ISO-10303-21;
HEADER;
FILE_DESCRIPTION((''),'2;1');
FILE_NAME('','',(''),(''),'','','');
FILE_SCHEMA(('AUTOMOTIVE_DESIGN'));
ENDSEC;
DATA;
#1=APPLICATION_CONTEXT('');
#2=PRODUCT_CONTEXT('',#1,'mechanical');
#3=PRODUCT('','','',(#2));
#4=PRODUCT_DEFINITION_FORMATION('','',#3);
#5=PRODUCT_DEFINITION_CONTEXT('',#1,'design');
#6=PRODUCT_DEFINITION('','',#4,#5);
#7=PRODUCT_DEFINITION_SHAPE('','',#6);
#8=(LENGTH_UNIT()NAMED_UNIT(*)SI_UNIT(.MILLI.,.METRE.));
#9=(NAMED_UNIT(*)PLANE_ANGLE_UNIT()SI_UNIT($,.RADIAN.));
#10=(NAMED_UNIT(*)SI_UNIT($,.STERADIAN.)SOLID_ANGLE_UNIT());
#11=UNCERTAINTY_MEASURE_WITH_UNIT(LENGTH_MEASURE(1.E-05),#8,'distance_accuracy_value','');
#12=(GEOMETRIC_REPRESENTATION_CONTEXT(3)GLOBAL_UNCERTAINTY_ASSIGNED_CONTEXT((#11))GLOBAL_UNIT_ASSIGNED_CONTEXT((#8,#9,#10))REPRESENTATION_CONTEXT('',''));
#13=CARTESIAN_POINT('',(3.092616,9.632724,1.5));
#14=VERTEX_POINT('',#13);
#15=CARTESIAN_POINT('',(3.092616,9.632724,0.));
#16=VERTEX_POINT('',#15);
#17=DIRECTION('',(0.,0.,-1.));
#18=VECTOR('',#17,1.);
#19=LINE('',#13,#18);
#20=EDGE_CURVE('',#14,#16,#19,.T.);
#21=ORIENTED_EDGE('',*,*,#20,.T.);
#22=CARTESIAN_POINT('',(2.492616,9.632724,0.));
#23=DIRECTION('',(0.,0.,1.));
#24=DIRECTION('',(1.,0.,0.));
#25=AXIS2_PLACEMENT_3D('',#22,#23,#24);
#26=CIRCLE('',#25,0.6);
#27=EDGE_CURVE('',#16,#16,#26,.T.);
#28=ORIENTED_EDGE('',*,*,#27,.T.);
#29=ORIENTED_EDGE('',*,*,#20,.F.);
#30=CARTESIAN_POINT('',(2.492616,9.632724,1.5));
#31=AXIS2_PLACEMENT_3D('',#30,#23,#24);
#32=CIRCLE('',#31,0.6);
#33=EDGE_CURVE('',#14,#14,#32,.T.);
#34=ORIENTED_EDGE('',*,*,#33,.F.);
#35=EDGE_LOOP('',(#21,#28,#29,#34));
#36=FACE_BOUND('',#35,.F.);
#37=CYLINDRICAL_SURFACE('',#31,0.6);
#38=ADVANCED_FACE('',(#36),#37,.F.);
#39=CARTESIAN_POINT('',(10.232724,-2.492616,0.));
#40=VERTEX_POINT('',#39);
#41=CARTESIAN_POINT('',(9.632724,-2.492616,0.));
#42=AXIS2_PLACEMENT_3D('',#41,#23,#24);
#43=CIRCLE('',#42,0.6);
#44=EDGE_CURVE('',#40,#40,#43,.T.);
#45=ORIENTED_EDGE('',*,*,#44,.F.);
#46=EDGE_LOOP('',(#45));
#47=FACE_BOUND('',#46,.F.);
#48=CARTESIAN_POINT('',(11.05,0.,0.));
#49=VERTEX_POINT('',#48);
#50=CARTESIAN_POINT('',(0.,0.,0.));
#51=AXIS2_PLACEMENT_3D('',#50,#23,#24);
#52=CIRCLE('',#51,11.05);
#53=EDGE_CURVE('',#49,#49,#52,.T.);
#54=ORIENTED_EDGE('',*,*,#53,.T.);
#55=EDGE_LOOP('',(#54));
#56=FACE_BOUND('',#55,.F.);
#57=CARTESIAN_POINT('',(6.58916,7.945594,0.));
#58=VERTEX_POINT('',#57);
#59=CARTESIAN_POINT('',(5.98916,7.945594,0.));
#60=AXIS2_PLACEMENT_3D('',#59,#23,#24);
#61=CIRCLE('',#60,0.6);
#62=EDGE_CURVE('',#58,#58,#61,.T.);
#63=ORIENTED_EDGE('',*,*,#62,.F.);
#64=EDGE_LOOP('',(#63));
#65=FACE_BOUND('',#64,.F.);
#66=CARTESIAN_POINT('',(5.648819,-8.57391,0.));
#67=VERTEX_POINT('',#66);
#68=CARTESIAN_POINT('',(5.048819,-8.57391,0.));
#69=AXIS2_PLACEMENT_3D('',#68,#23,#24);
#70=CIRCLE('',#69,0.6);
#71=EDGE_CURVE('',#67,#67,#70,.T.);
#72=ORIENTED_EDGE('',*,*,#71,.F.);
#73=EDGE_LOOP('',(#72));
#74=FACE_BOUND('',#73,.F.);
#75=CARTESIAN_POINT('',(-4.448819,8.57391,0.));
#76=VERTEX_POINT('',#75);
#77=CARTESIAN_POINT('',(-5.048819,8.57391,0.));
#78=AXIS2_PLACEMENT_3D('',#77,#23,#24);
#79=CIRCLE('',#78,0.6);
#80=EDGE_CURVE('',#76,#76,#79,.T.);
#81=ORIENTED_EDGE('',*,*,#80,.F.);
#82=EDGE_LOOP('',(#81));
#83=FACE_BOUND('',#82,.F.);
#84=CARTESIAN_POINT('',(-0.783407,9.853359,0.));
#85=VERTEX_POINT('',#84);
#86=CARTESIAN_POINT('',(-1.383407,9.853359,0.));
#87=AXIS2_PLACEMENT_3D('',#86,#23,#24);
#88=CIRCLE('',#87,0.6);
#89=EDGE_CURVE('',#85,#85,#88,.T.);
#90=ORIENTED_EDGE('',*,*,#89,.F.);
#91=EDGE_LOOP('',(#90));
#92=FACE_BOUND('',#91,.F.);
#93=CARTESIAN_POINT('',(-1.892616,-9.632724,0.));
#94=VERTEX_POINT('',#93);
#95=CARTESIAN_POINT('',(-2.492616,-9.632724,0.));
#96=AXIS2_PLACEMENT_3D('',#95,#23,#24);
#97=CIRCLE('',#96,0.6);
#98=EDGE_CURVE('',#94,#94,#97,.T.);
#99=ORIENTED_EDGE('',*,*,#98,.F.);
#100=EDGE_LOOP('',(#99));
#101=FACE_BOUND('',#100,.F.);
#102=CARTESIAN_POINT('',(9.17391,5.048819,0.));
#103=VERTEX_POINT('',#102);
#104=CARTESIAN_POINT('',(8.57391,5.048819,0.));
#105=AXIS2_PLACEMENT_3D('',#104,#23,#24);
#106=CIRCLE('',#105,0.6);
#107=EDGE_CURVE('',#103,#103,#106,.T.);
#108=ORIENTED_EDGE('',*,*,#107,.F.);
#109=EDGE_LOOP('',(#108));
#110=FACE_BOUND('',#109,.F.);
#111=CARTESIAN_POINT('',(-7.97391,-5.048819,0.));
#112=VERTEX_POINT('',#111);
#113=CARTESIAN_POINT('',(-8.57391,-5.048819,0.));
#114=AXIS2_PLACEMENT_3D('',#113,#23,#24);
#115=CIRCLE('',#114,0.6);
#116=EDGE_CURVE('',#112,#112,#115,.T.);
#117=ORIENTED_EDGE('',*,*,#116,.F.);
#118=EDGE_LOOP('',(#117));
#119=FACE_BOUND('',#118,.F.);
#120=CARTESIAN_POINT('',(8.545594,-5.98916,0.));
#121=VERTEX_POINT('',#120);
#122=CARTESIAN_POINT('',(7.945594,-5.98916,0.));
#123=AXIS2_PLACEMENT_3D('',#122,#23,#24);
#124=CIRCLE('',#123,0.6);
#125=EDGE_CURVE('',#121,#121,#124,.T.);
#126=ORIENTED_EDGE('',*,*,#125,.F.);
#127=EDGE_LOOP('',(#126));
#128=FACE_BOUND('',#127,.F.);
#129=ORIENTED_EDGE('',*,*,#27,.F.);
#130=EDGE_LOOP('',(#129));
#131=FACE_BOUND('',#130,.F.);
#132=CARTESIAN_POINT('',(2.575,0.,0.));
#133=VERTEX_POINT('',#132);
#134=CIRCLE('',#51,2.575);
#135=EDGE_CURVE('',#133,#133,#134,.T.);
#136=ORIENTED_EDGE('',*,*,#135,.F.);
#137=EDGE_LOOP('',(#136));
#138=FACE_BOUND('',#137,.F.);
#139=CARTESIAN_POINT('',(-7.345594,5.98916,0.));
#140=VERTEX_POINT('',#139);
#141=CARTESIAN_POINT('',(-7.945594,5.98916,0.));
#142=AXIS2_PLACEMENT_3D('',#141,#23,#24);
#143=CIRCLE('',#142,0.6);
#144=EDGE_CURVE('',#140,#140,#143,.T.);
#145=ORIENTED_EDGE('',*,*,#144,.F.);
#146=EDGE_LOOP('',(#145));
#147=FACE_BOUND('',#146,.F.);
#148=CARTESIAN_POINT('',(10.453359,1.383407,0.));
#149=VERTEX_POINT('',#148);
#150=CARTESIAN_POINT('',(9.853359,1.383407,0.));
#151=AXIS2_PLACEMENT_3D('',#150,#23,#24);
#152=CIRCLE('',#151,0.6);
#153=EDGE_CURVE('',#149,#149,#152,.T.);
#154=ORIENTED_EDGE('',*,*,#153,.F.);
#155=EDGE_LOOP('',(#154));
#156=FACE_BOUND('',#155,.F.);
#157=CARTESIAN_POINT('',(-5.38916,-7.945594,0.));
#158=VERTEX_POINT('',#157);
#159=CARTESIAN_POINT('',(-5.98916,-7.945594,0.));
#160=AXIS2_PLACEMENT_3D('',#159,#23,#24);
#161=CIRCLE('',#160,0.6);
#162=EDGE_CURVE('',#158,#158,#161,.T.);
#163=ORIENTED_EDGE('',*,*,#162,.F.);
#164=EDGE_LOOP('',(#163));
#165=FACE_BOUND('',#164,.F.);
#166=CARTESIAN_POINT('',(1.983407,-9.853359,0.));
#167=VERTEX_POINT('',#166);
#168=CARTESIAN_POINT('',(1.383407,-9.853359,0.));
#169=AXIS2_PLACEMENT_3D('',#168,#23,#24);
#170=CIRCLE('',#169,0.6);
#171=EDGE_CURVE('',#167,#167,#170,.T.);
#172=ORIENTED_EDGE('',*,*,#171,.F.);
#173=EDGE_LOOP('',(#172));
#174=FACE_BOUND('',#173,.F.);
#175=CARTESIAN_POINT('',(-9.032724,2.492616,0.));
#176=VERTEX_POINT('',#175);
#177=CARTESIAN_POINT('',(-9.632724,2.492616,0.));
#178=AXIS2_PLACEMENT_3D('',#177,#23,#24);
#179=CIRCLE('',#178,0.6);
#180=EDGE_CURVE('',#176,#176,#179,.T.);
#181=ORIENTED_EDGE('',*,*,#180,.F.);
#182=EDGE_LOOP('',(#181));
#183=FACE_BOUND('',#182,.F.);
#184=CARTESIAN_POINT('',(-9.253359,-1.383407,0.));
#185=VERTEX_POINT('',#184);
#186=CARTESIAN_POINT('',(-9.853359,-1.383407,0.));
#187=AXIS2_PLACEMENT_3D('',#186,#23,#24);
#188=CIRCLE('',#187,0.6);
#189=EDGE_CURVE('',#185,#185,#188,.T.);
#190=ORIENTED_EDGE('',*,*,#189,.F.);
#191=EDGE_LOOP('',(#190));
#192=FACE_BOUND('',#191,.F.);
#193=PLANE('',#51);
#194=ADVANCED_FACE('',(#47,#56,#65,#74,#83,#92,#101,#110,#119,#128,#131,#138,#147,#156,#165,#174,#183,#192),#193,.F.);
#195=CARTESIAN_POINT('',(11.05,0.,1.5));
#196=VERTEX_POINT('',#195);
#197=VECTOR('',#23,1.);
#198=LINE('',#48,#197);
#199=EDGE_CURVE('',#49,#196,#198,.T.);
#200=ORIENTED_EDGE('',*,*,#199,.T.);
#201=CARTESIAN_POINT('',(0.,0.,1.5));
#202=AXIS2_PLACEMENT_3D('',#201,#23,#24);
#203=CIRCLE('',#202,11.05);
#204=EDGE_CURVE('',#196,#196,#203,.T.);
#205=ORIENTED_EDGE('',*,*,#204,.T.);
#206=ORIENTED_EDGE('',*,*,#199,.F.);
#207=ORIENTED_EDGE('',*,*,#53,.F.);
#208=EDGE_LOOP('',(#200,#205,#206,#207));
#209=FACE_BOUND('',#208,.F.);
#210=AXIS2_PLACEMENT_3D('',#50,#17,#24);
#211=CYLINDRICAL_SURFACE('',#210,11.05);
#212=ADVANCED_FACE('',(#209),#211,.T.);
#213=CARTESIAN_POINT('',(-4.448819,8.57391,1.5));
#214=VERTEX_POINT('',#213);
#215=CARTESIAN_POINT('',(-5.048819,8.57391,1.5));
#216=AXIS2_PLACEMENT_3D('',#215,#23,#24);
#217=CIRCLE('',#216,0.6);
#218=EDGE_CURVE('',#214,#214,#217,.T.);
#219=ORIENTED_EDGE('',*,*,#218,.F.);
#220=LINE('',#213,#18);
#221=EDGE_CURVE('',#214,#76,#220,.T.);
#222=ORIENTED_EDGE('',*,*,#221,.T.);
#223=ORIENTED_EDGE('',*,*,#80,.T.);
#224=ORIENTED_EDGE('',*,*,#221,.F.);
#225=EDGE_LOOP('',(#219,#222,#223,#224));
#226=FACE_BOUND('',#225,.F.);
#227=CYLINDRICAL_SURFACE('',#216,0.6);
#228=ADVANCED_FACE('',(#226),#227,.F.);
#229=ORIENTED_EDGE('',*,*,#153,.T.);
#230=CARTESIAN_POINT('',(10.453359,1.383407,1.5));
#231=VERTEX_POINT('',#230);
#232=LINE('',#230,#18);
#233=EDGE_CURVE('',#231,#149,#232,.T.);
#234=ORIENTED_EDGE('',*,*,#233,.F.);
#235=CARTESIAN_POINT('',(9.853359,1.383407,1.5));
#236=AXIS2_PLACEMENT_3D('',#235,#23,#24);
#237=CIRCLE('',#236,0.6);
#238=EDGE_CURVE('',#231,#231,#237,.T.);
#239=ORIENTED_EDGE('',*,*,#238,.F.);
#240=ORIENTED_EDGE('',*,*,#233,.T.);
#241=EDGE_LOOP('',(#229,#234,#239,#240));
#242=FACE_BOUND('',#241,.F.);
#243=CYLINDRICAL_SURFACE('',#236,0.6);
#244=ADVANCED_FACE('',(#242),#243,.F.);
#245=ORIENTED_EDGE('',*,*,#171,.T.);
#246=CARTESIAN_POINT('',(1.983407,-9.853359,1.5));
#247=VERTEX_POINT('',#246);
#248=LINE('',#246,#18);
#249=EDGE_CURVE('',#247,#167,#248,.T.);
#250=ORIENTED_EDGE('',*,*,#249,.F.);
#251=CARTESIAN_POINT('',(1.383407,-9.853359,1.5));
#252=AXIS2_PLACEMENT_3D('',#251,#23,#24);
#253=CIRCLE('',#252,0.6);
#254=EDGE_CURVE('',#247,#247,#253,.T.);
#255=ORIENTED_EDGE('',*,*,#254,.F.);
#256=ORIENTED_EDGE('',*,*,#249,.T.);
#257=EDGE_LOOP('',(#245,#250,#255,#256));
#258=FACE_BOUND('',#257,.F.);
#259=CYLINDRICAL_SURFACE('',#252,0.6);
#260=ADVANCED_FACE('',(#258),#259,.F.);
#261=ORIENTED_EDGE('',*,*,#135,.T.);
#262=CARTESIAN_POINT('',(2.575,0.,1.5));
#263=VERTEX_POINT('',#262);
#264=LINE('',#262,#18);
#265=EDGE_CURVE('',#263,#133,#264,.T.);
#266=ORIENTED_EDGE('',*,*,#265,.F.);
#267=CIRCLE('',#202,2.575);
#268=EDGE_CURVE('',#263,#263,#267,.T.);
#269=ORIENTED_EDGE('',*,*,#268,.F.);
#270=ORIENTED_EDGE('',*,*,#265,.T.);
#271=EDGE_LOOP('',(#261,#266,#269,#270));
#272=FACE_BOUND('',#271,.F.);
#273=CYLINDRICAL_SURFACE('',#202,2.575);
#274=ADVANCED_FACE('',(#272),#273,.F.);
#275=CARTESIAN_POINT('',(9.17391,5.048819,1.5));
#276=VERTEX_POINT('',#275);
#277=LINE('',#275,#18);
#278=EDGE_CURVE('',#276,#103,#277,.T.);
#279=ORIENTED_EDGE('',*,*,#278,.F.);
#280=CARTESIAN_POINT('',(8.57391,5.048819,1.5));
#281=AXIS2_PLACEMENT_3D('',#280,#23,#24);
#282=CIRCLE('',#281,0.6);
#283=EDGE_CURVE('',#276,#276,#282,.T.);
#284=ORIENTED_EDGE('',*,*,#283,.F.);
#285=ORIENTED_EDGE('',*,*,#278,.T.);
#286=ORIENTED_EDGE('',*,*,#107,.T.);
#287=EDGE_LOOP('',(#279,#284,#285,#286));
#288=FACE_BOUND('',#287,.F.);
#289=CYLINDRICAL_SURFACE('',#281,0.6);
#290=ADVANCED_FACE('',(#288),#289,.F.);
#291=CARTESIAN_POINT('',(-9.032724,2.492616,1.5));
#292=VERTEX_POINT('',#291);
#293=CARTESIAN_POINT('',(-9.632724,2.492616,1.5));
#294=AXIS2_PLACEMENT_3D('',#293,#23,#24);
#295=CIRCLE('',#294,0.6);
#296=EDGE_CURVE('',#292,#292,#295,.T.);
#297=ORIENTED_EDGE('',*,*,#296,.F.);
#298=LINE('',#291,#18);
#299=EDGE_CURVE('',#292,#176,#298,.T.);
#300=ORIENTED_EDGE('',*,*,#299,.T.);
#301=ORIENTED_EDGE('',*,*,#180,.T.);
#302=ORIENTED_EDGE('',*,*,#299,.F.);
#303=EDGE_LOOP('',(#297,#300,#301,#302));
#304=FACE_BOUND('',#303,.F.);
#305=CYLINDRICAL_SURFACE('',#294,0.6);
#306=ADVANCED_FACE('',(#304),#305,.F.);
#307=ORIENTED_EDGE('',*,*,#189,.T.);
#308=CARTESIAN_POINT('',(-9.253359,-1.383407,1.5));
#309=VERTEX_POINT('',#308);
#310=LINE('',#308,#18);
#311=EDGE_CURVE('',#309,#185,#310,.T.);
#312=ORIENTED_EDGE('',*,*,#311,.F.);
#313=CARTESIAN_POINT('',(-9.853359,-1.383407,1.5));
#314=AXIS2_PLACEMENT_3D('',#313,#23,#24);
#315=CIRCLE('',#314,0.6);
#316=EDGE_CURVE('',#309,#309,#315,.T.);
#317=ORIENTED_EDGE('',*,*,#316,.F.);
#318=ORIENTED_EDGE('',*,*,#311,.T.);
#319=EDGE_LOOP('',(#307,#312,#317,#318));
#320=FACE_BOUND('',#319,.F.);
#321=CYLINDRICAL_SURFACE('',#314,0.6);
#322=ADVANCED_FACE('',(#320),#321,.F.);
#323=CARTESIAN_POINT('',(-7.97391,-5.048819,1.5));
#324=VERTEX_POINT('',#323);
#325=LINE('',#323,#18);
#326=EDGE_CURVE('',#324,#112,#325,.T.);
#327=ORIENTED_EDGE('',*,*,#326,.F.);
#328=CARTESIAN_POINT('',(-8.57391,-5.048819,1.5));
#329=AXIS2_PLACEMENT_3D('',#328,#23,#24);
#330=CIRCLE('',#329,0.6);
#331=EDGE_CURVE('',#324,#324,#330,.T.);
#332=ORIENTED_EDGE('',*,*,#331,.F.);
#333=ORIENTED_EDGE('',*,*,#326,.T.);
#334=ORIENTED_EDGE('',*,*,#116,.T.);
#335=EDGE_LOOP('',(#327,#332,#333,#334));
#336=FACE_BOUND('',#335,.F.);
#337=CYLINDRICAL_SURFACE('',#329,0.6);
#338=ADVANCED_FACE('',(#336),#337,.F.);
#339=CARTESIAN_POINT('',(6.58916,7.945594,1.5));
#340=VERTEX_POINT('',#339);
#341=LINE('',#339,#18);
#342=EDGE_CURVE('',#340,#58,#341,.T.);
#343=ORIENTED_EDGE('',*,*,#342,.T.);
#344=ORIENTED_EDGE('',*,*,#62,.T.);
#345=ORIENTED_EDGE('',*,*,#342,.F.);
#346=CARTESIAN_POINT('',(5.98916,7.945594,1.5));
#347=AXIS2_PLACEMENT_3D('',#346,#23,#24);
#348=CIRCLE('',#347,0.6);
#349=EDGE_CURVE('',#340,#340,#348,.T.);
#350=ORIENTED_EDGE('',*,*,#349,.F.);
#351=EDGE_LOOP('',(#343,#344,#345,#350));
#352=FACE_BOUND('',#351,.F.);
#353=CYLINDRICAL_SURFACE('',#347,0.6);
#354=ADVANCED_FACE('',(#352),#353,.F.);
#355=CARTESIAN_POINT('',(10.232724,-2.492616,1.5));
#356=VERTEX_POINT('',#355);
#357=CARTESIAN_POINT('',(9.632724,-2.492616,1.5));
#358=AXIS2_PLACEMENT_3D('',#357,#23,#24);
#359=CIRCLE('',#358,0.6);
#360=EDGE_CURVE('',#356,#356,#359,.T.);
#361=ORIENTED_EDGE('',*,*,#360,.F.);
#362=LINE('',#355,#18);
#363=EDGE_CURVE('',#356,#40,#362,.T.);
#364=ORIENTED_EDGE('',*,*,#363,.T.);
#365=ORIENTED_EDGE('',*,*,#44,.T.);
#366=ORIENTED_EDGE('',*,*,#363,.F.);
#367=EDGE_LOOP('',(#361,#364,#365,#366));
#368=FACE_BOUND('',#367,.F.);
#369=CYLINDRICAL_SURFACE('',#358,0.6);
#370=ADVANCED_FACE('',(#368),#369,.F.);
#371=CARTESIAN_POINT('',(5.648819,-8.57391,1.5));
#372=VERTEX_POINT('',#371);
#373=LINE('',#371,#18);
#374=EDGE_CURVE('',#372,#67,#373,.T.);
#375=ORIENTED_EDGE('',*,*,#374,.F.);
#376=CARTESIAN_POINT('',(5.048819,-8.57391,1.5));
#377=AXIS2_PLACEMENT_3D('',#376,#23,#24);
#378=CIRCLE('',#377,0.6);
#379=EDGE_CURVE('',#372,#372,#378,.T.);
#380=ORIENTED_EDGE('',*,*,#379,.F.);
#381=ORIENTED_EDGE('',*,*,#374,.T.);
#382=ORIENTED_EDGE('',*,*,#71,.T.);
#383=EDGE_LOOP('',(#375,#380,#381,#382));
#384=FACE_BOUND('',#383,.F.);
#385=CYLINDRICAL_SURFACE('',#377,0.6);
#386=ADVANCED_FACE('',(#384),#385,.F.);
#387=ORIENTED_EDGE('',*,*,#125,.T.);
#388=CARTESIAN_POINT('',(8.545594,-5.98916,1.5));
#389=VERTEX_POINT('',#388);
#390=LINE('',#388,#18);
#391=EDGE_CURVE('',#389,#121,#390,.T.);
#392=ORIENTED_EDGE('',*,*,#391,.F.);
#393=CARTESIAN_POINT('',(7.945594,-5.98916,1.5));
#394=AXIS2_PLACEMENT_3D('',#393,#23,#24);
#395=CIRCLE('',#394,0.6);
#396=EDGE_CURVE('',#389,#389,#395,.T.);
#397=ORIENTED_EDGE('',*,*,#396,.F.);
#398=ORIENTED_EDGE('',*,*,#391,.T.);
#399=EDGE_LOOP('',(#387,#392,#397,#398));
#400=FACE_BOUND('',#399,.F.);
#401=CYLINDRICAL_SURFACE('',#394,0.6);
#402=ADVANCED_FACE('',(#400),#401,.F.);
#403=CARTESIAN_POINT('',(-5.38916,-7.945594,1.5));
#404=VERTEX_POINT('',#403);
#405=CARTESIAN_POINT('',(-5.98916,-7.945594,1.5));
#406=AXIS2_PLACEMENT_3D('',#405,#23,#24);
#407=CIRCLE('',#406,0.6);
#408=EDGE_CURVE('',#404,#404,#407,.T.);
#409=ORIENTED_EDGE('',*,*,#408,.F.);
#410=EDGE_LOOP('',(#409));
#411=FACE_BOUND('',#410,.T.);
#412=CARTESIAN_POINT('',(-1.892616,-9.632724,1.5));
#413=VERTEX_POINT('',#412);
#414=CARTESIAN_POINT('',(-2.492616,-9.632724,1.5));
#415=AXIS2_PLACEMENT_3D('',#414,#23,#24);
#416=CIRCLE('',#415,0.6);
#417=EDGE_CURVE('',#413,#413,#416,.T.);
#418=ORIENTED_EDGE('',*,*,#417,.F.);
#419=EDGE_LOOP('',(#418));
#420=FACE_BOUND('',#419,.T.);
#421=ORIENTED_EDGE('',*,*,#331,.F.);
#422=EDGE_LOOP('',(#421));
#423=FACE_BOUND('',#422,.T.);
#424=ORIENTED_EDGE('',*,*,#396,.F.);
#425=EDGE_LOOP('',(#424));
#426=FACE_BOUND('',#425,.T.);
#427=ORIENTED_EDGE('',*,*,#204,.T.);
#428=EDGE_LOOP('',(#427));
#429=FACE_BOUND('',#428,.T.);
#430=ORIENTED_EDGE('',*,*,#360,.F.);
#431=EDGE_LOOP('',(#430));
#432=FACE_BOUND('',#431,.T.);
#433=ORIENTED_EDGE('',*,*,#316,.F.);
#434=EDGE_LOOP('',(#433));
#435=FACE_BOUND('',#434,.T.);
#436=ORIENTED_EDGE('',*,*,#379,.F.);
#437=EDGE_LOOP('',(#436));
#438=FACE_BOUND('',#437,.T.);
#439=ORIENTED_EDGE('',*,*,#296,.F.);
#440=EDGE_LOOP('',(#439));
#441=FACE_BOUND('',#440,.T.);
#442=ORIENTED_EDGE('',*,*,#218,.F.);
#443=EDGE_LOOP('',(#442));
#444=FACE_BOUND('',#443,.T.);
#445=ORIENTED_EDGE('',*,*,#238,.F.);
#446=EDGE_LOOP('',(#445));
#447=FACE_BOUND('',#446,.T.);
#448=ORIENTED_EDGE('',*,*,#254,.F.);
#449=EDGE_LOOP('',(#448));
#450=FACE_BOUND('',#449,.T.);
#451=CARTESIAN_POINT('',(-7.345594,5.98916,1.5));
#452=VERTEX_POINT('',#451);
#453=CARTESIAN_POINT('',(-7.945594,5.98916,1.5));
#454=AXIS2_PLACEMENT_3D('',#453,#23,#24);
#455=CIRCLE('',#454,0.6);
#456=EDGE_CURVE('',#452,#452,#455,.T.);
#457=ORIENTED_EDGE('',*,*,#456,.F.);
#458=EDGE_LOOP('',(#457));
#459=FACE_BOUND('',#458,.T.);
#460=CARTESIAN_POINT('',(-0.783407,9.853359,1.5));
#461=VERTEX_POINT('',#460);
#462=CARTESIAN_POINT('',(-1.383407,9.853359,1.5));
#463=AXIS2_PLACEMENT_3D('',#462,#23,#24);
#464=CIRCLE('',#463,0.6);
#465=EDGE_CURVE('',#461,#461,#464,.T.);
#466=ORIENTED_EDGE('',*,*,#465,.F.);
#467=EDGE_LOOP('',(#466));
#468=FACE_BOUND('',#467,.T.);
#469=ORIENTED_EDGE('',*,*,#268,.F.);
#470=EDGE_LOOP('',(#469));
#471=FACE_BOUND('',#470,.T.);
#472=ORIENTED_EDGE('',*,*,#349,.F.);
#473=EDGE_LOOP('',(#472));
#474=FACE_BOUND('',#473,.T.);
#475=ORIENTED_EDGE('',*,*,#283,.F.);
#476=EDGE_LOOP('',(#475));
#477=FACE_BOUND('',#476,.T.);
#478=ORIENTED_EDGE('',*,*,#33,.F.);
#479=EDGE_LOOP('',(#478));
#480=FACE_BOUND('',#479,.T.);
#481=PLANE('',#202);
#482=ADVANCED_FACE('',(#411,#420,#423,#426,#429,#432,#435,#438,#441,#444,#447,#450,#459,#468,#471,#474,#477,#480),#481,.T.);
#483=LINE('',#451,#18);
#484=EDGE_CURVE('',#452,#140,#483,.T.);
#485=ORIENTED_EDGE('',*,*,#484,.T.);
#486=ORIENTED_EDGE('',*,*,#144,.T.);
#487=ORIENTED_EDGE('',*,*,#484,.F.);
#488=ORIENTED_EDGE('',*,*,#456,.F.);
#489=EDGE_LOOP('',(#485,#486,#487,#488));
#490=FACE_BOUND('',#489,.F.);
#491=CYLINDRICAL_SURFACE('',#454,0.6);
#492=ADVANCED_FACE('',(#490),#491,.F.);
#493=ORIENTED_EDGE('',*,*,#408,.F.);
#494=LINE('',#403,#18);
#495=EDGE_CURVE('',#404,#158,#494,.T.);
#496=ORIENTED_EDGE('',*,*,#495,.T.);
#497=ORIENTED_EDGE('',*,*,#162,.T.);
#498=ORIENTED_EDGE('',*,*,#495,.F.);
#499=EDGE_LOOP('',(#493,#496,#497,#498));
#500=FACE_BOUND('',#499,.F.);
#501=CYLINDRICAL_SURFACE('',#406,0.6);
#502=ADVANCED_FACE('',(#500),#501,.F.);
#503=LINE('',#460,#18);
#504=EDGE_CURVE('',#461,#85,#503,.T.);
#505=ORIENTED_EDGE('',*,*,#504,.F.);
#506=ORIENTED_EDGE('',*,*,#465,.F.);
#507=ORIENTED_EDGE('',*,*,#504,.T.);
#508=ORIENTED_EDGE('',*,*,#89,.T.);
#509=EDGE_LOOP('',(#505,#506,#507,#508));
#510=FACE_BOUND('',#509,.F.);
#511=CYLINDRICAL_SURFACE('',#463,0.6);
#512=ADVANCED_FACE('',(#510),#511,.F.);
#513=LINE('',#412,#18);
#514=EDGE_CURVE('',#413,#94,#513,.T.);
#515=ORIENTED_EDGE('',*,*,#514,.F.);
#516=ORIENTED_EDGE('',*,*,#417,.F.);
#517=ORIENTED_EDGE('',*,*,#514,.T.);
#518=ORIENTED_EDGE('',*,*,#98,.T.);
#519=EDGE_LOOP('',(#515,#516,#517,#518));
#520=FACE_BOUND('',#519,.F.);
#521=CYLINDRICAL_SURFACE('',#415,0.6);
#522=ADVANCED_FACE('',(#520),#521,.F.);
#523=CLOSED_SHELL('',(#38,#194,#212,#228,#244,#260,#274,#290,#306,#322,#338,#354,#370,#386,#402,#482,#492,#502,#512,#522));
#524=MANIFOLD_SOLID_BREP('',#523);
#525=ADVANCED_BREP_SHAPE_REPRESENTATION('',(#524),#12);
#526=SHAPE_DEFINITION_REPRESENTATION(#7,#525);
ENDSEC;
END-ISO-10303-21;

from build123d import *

# Parameters (mm, degrees)
F0_R     = 11.05
F1_DEPTH = 1.5
F2_R     = 0.6
F2_R_2   = 2.575
F3_DEPTH = 25


with BuildPart() as f1:
    # F0 (on Top) → F1 (new body)
    with BuildSketch(Plane.XY):
        Circle(F0_R)
    extrude(amount=F1_DEPTH)

    # F2 (on face) → F3 (cut)
    with BuildSketch(Plane.XY.offset(1.5)):
        with Locations((5.98916, 7.945594)):
            Circle(F2_R)
        with Locations((-7.945594, 5.98916)):
            Circle(F2_R)
        with Locations((-5.048819, 8.57391)):
            Circle(F2_R)
        with Locations((-1.383407, 9.853359)):
            Circle(F2_R)
        with Locations((2.492616, 9.632724)):
            Circle(F2_R)
        with Locations((-9.632724, 2.492616)):
            Circle(F2_R)
        with Locations((-9.853359, -1.383407)):
            Circle(F2_R)
        Circle(F2_R_2)
        with Locations((-8.57391, -5.048819)):
            Circle(F2_R)
        with Locations((-5.98916, -7.945594)):
            Circle(F2_R)
        with Locations((-2.492616, -9.632724)):
            Circle(F2_R)
        with Locations((1.383407, -9.853359)):
            Circle(F2_R)
        with Locations((5.048819, -8.57391)):
            Circle(F2_R)
        with Locations((7.945594, -5.98916)):
            Circle(F2_R)
        with Locations((9.632724, -2.492616)):
            Circle(F2_R)
        with Locations((9.853359, 1.383407)):
            Circle(F2_R)
        with Locations((8.57391, 5.048819)):
            Circle(F2_R)
    extrude(amount=-F3_DEPTH, mode=Mode.SUBTRACT)


solid = f1.part
